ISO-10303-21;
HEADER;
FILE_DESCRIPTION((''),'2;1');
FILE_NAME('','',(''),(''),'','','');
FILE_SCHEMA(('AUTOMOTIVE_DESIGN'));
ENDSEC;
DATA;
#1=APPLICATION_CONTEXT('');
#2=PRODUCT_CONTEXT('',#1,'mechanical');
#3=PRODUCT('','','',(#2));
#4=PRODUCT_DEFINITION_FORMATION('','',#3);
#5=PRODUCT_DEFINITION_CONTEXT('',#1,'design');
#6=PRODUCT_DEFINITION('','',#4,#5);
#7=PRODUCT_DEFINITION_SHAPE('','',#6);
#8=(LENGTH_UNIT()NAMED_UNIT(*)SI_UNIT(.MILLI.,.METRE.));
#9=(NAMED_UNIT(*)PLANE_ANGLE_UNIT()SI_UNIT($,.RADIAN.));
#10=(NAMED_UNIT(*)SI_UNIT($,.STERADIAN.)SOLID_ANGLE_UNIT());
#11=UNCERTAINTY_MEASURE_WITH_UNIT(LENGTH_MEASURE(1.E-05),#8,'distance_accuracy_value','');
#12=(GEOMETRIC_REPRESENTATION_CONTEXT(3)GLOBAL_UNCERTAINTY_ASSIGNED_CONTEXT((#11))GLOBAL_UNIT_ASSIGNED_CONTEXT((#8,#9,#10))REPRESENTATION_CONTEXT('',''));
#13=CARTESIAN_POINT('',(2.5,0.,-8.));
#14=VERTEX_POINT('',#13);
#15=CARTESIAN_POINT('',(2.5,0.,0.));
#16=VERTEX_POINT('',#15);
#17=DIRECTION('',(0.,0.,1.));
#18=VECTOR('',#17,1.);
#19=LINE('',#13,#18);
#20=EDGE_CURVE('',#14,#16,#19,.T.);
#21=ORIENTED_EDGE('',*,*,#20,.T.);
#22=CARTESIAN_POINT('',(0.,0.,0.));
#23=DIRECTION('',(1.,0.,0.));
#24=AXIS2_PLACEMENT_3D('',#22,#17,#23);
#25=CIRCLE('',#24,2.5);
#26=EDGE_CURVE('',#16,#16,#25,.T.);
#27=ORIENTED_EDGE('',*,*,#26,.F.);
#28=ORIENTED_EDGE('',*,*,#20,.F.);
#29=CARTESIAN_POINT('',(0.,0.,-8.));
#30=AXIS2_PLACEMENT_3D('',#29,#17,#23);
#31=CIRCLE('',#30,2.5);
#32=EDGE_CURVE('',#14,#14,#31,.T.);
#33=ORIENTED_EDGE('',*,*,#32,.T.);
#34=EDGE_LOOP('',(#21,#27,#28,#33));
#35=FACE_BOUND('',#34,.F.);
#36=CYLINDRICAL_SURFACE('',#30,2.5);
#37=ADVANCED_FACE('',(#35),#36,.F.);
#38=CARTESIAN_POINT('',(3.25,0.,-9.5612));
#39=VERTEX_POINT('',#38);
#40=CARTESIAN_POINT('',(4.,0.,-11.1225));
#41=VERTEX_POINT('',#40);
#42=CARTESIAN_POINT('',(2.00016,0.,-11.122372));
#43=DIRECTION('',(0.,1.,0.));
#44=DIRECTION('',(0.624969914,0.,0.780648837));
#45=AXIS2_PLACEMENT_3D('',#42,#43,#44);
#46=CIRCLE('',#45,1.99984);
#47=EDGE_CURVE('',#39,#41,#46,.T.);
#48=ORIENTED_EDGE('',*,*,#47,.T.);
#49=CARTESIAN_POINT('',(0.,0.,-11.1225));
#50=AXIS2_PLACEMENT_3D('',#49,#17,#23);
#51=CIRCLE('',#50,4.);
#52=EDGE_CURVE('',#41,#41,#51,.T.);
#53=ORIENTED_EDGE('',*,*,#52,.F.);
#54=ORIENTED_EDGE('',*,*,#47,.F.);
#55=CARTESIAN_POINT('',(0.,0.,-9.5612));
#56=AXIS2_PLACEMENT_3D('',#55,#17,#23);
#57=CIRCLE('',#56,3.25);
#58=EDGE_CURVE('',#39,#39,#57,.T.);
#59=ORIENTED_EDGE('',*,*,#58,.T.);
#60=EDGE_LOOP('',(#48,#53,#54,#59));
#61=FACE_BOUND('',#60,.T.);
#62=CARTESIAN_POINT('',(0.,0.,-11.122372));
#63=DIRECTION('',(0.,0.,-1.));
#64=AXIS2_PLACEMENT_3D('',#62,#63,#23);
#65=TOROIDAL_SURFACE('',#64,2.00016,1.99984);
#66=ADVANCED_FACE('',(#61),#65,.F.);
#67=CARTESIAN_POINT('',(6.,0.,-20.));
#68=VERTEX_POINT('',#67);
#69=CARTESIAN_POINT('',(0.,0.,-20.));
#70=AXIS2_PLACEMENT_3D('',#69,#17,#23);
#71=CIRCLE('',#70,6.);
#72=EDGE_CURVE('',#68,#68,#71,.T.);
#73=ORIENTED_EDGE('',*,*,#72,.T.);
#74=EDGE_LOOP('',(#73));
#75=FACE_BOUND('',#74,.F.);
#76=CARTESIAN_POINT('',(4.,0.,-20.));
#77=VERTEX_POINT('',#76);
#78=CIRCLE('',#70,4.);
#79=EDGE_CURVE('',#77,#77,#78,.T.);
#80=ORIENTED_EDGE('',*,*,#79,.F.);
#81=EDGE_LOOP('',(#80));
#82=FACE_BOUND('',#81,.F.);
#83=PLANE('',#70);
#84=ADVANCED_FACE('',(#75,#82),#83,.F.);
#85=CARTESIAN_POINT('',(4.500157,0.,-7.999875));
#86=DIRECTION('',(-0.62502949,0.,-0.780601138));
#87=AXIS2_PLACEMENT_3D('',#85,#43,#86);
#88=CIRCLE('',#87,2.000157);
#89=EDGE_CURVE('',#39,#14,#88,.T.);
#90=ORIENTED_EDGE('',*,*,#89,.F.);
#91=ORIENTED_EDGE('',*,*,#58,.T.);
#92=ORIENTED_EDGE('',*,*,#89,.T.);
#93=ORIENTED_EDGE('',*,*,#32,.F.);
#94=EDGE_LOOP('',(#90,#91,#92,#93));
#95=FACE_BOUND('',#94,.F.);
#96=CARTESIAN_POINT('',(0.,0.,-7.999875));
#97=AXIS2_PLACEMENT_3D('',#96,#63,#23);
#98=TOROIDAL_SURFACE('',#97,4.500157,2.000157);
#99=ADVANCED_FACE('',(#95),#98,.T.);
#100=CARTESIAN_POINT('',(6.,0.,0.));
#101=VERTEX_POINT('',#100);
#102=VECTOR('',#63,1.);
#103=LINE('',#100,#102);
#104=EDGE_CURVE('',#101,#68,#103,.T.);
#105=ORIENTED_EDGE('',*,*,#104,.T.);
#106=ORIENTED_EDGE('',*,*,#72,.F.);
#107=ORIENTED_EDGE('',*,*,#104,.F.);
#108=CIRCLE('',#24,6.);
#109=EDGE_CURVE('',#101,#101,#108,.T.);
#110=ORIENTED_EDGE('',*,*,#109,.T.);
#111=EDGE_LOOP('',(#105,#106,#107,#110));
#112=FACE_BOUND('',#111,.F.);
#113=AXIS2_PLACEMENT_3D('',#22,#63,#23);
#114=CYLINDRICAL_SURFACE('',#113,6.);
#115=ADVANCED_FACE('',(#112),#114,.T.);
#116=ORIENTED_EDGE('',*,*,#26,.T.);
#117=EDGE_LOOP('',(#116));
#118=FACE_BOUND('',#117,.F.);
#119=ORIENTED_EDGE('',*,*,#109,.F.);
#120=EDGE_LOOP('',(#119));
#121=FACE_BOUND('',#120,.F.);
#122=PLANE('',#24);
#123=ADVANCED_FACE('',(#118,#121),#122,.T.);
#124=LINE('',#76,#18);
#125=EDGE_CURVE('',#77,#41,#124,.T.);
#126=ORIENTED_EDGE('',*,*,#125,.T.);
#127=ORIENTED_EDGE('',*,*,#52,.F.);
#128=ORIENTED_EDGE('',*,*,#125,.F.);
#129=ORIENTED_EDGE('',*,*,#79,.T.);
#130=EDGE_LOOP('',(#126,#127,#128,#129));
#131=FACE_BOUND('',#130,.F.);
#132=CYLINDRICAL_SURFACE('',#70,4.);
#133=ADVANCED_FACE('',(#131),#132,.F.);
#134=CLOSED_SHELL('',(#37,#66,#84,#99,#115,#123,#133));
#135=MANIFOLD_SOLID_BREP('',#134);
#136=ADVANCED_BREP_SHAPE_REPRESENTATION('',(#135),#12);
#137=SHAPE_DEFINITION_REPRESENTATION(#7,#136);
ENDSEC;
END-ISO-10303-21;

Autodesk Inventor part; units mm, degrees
ref_plane "YZ Plane" through (0, 0, 0) normal (1, 0, 0) x (0, 1, 0)
ref_plane "XZ Plane" through (0, 0, 0) normal (0, 1, 0) x (-1, 0, 0)
ref_plane "XY Plane" through (0, 0, 0) normal (0, 0, 1) x (1, 0, 0)
sketch "Sketch1" plane through (0, 0, 0) normal (0, 1, 0) x (-1, 0, 0)
  line L0 (0, 0) -> (-6, 0)
  line L1 (-6, 0) -> (-6, -20)
  line L2 (-6, -20) -> (0, -20)
  line L3 (0, -20) -> (0, 0)
  line L4 (0, 0) -> (-2.5, 0)
  line L5 (0, -10) -> (-2.5, -10)
  line L6 (-2.5, -8) -> (-2.5, 0)
  line L7 (0, -20) -> (-4, -20)
  line L8 (-4, -20) -> (-4, -11.1225)
  line L9 (-4, -10) -> (-4.5, -10)
  arc A0 (-3.25, -9.5612) -> (-2.5, -8) centre (-4.5, -8) ccw
  arc A1 (-3.25, -9.5612) -> (-4, -11.1225) centre (-2, -11.1225) ccw
  dimension "d0" = 6
  dimension "d1" = 20
  dimension "d2" = 2.5
  dimension "d3" = 4
  dimension "d4" = 2
revolve "Revolution1" add sketch "Sketch1" angle 360 about axis through (0, 0, -20) along (0, 0, 1) contours L6 A0 A1 L8 L2 L1 L0
ref_plane "Work Plane1" through (0, 0, -10) normal (0, 0, 1) x (1, 0, 0)
properties part number "motorCoupling5_8"
